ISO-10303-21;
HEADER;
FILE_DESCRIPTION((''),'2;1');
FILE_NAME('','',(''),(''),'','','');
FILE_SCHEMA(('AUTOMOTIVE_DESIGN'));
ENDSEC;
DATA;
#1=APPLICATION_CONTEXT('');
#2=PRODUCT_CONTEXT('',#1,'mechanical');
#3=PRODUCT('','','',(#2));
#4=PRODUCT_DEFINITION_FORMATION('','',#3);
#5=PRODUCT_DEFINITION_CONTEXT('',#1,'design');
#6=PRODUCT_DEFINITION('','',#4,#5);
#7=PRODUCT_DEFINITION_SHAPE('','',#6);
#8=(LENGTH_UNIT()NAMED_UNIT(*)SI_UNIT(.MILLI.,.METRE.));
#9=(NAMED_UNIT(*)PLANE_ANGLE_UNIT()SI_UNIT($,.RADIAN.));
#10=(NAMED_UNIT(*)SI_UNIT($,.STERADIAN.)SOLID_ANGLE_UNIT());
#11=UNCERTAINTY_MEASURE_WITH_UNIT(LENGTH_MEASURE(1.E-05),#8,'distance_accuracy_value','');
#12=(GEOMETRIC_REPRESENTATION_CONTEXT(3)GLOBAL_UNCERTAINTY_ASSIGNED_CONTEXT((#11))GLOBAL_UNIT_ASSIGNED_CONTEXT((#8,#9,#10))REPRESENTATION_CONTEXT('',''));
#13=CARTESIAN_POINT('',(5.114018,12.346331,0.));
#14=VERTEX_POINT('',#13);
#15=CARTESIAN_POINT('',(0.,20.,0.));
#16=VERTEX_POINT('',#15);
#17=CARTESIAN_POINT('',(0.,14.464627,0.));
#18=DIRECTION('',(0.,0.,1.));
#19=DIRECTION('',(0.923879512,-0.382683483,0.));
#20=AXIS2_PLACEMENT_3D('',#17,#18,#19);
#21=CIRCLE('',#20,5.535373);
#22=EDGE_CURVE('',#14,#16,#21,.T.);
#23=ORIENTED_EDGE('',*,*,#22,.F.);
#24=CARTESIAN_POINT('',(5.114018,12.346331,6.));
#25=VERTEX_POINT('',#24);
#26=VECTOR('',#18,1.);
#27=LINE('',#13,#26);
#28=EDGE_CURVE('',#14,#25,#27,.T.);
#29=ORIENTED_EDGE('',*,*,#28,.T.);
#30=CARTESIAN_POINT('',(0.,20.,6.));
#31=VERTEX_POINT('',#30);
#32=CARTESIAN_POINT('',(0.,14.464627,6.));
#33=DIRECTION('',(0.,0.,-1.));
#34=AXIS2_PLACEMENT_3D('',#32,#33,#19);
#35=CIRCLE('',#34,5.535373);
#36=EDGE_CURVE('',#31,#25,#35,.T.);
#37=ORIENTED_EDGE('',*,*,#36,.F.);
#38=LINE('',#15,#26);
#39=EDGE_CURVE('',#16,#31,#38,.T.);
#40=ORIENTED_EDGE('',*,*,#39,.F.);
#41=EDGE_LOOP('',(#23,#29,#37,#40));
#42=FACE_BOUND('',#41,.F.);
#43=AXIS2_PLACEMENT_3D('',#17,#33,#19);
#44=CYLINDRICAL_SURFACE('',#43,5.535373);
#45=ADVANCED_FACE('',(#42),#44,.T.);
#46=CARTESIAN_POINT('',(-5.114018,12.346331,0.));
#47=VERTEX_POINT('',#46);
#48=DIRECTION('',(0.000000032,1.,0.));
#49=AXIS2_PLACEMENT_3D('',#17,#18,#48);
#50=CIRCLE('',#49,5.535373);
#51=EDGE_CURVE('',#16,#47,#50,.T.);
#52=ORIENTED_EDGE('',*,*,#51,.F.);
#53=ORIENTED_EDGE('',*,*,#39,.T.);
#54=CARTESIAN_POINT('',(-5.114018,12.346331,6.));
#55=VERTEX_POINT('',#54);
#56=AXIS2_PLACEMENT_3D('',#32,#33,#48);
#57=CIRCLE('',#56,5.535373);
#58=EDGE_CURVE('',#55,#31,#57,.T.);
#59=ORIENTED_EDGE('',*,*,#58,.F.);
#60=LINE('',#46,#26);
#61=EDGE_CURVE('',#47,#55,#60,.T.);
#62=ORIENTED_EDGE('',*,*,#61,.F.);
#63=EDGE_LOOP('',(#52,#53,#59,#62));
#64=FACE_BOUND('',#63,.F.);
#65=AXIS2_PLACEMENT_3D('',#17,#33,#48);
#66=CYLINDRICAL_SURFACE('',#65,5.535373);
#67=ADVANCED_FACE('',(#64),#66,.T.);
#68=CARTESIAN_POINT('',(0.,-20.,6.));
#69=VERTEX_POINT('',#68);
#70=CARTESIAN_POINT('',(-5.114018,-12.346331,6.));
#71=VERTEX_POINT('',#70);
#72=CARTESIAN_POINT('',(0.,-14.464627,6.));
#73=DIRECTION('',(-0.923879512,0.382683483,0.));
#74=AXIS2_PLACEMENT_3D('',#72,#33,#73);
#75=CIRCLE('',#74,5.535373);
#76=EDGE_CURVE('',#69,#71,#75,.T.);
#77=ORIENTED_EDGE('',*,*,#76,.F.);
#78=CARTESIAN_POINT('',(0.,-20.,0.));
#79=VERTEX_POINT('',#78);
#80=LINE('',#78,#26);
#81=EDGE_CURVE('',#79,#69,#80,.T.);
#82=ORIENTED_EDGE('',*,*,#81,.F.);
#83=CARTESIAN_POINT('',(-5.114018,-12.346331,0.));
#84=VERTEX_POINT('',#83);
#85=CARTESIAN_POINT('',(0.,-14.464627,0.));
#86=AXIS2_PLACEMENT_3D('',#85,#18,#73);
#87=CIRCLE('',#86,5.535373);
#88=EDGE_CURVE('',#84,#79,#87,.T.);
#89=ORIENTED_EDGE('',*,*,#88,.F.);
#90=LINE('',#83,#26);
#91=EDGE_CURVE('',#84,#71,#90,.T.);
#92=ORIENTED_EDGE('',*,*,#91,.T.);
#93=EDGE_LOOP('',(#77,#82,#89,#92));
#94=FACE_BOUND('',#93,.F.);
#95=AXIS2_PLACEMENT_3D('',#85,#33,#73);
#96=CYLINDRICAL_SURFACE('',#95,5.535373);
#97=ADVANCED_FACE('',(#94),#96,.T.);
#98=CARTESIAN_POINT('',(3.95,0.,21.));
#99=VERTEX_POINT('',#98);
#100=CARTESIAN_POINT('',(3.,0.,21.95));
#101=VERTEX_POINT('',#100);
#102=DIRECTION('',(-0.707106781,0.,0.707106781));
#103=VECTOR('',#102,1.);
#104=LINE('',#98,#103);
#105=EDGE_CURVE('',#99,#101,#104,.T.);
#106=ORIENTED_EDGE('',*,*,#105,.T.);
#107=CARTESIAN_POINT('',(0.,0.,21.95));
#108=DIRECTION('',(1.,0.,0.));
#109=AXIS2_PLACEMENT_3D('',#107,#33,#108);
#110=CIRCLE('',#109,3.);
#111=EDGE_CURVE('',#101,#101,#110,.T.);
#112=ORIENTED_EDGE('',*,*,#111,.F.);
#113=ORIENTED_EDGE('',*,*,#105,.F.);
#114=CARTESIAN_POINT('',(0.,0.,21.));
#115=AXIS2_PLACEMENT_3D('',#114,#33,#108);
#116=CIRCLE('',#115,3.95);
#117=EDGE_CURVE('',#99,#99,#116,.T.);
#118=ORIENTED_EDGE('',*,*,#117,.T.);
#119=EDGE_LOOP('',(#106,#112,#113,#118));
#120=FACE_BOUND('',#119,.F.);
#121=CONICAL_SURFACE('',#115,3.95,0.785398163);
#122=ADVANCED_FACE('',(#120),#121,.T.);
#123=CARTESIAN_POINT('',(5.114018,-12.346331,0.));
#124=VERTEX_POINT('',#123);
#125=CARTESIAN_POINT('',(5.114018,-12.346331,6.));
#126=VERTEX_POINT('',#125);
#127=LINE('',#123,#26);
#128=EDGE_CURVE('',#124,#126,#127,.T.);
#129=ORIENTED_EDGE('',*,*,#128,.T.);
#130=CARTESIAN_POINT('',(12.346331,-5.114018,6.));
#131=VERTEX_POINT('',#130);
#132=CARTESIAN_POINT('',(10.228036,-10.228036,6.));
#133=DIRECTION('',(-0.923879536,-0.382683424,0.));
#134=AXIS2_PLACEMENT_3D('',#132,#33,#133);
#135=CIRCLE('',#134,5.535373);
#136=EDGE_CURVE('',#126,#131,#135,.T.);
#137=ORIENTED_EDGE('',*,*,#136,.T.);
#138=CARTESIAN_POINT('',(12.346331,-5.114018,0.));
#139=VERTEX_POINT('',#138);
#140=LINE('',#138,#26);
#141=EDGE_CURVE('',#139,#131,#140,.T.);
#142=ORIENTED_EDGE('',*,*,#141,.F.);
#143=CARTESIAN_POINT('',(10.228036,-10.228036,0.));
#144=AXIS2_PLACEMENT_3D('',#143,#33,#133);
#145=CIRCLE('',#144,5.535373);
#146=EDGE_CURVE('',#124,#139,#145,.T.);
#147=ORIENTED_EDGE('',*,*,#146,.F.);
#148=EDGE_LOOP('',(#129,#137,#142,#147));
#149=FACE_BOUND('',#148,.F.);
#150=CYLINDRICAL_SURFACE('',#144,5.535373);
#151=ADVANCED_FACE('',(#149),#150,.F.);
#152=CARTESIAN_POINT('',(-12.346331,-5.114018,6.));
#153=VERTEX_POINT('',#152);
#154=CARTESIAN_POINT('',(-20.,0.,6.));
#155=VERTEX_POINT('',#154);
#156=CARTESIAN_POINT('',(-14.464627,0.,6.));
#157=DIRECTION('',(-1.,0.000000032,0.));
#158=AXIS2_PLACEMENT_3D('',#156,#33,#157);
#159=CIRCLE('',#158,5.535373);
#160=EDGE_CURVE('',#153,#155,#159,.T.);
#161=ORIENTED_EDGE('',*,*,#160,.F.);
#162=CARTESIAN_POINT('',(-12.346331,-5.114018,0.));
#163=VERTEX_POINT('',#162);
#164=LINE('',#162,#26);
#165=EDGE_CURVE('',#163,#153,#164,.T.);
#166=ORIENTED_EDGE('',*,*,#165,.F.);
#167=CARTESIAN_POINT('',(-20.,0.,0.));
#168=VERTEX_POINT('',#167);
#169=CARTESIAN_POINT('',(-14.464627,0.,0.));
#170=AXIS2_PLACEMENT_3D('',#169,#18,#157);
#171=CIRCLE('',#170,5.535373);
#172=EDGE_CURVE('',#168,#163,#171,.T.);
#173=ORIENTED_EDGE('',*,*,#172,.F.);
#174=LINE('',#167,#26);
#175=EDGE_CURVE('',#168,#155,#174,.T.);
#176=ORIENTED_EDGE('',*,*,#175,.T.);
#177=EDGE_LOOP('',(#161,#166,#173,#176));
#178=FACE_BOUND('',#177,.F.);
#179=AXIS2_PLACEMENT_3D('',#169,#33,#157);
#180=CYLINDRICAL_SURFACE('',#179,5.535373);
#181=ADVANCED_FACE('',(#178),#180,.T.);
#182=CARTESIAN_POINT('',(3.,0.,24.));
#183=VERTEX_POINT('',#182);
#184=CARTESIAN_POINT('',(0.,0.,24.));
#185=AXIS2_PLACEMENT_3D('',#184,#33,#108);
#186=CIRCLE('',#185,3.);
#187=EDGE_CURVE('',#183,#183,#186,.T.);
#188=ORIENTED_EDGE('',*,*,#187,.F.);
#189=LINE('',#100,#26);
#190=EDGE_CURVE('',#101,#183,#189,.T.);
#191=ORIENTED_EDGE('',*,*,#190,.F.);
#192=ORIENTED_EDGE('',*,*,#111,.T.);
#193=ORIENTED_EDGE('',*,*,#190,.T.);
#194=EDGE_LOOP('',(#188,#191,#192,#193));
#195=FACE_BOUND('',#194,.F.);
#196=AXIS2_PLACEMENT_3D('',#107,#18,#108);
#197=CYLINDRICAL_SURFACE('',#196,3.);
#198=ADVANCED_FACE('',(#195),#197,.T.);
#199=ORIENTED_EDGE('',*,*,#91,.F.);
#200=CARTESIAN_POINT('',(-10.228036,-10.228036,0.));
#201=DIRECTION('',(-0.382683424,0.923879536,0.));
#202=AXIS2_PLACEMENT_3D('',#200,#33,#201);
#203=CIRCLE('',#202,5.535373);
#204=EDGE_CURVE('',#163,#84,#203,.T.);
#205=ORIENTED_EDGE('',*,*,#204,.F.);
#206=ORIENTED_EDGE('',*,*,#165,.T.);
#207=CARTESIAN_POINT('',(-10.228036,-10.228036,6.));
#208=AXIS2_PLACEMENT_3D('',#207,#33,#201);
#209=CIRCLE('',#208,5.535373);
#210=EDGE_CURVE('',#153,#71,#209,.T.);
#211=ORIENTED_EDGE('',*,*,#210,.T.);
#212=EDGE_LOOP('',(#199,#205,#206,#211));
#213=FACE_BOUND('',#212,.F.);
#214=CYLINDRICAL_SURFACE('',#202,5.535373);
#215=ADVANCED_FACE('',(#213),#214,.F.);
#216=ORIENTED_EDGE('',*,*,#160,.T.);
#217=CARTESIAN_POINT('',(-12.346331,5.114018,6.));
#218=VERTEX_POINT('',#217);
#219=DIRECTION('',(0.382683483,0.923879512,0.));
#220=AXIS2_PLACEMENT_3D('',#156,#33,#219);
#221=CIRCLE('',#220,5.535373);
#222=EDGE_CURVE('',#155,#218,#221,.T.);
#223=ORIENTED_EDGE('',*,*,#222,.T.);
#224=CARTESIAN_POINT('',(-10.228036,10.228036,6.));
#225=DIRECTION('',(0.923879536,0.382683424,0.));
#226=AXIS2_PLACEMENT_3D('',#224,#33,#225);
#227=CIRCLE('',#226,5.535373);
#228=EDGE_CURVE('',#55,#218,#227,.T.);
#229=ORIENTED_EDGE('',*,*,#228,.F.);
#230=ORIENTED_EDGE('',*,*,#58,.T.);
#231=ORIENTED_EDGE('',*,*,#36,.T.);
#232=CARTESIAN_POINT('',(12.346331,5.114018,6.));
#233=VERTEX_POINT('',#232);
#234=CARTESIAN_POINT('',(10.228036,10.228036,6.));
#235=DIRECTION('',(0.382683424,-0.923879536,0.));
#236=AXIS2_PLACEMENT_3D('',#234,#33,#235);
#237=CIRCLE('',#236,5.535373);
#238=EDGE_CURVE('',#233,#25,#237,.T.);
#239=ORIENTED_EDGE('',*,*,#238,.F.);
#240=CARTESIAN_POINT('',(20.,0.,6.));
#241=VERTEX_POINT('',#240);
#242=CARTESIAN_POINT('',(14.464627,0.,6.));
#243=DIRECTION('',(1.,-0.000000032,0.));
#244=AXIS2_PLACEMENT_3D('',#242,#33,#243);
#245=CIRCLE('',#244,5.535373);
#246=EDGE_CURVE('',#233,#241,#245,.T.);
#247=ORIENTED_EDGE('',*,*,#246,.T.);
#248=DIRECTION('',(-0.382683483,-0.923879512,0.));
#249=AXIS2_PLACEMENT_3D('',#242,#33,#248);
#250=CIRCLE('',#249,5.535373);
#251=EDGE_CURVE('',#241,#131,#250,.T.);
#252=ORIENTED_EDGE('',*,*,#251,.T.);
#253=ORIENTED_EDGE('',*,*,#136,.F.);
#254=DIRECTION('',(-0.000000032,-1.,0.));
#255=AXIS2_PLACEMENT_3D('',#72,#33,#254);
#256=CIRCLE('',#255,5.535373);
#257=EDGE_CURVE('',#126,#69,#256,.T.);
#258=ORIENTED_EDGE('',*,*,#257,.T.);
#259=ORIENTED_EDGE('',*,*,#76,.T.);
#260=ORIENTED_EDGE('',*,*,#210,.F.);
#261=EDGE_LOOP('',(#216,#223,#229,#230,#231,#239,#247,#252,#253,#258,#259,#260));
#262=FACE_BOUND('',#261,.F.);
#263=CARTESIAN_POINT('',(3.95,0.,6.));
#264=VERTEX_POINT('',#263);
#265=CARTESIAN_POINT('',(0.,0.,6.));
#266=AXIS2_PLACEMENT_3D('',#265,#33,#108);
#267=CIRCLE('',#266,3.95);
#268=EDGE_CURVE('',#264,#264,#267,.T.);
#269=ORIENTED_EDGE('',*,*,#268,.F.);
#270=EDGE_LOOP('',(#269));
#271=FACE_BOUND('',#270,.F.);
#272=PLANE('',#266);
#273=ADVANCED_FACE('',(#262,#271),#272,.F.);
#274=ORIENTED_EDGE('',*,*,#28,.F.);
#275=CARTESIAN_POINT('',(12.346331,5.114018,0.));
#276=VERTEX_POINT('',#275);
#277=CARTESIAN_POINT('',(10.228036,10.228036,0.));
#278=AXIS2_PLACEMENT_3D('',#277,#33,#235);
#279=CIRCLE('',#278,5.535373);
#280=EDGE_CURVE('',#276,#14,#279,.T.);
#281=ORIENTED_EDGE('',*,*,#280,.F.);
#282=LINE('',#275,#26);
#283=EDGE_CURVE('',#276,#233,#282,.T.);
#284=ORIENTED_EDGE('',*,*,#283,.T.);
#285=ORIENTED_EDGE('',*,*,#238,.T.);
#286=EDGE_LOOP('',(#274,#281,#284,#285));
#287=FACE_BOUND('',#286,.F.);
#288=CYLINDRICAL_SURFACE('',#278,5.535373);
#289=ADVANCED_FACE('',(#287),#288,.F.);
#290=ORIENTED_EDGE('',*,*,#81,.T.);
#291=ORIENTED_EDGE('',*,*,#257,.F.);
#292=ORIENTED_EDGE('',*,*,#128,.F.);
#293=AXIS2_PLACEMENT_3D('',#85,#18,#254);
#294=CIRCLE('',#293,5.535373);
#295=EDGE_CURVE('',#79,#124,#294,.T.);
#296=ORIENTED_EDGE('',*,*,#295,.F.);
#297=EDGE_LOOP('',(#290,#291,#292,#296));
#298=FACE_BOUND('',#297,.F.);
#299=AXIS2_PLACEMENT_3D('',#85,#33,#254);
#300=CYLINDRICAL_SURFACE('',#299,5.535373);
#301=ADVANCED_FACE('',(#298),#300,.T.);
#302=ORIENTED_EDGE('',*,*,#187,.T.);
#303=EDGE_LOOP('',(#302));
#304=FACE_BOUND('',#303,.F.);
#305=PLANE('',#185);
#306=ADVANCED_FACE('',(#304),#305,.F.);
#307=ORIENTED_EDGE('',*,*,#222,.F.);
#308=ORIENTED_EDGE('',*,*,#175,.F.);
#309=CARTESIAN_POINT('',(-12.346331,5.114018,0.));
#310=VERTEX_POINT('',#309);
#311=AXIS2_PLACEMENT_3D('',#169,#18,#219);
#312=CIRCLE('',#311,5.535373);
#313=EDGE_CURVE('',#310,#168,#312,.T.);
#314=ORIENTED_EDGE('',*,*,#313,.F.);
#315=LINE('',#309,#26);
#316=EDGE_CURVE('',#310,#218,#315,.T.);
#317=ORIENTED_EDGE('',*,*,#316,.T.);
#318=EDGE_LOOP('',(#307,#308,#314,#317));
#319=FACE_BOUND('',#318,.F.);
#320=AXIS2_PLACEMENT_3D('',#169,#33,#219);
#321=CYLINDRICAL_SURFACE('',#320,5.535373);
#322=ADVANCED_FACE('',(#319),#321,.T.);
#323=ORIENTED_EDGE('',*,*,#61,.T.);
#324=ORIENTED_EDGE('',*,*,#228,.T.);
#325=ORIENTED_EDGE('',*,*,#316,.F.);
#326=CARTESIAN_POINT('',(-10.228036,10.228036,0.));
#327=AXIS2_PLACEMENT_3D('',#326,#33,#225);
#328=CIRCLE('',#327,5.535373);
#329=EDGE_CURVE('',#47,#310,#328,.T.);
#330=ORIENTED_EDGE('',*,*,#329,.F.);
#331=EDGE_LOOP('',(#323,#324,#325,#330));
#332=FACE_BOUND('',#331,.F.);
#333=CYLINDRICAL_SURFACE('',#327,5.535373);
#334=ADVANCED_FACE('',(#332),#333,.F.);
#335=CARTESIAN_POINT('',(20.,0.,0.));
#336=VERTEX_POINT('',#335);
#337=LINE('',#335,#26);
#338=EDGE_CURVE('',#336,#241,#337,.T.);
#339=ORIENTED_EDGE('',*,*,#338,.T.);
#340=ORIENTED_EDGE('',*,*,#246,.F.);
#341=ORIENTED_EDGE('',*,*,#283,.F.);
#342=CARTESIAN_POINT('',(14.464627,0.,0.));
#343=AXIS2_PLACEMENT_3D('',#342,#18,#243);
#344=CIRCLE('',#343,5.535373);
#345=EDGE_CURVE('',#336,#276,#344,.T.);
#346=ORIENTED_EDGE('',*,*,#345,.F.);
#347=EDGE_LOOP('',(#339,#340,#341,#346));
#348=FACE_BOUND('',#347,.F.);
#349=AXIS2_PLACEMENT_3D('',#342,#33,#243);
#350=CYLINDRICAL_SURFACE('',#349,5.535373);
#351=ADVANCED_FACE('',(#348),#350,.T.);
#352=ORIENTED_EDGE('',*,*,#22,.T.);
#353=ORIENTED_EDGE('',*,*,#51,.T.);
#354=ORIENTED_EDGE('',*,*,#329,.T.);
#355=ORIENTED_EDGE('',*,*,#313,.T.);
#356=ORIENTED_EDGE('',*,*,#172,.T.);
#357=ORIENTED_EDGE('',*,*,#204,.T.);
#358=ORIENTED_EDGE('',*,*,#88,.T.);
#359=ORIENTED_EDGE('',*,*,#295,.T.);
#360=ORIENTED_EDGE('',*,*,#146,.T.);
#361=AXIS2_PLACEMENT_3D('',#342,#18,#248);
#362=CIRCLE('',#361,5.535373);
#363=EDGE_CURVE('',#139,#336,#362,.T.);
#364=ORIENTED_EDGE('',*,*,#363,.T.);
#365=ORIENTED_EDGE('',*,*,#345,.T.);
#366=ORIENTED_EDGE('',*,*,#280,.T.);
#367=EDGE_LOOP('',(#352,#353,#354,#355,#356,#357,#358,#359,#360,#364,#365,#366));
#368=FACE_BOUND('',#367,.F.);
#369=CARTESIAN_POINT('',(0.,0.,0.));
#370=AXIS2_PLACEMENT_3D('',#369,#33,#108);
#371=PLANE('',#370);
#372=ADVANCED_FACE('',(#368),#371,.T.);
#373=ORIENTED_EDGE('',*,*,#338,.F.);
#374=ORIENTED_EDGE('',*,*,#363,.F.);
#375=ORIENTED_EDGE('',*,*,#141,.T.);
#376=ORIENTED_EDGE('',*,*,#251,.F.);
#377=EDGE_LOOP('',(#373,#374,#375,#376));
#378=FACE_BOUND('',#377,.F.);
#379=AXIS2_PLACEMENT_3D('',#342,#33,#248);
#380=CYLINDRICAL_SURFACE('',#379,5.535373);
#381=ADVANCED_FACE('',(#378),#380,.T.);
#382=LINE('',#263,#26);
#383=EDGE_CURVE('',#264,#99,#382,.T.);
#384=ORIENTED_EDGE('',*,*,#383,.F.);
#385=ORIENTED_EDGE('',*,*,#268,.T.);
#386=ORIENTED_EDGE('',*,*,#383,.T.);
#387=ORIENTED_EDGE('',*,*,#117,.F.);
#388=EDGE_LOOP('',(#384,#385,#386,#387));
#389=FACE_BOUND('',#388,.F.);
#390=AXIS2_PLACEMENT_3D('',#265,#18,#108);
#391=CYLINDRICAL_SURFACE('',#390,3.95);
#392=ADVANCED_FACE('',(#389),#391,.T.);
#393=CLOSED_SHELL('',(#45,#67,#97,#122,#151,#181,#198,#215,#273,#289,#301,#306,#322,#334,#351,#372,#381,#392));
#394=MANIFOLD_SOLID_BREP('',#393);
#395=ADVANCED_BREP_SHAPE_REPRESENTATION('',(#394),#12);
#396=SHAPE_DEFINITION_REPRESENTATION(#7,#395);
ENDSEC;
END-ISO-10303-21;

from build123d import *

# Parameters (mm, degrees)
F3_DEPTH = 24.001


with BuildPart() as f1:
    # F0 (on Front) → F1 (revolve)
    with BuildSketch(Plane.XZ):
        Polygon((3, 24), (0, 24), (0, 0), (20, 0), (20, 6), (3.95, 6), (3.95, 21), (3, 21.95), align=None)
    revolve(axis=Axis((0, 0, 6.128194), (0, 0, -1)))

    # F2 (on face) → F3 (cut, through all)
    with BuildSketch(Plane(origin=(0, 0, 0), x_dir=(1, 0, 0), z_dir=(0, 0, -1))):
        with BuildLine():
            ThreePointArc((0, -20), (14.142136, -14.142136), (20, 0))
            ThreePointArc((20, 0), (17.539915, -4.602495), (12.346331, -5.114018))
            ThreePointArc((12.346331, -5.114018), (6.313936, -6.313936), (5.114018, -12.346331))
            ThreePointArc((5.114018, -12.346331), (4.602495, -17.539915), (0, -20))
        make_face()
        with BuildLine():
            ThreePointArc((12.346331, 5.114018), (17.539915, 4.602495), (20, 0))
            ThreePointArc((20, 0), (14.142136, 14.142136), (0, 20))
            ThreePointArc((0, 20), (4.602495, 17.539915), (5.114018, 12.346331))
            ThreePointArc((5.114018, 12.346331), (6.313936, 6.313936), (12.346331, 5.114018))
        make_face()
        with BuildLine():
            ThreePointArc((-5.114018, 12.346331), (-4.602495, 17.539915), (0, 20))
            ThreePointArc((0, 20), (-14.142136, 14.142136), (-20, 0))
            ThreePointArc((-20, 0), (-17.539915, 4.602495), (-12.346331, 5.114018))
            ThreePointArc((-12.346331, 5.114018), (-6.313936, 6.313936), (-5.114018, 12.346331))
        make_face()
        with BuildLine():
            ThreePointArc((-20, 0), (-14.142136, -14.142136), (0, -20))
            ThreePointArc((0, -20), (-4.602495, -17.539915), (-5.114018, -12.346331))
            ThreePointArc((-5.114018, -12.346331), (-6.313936, -6.313936), (-12.346331, -5.114018))
            ThreePointArc((-12.346331, -5.114018), (-17.539915, -4.602495), (-20, 0))
        make_face()
    extrude(amount=-F3_DEPTH, mode=Mode.SUBTRACT)


solid = f1.part
